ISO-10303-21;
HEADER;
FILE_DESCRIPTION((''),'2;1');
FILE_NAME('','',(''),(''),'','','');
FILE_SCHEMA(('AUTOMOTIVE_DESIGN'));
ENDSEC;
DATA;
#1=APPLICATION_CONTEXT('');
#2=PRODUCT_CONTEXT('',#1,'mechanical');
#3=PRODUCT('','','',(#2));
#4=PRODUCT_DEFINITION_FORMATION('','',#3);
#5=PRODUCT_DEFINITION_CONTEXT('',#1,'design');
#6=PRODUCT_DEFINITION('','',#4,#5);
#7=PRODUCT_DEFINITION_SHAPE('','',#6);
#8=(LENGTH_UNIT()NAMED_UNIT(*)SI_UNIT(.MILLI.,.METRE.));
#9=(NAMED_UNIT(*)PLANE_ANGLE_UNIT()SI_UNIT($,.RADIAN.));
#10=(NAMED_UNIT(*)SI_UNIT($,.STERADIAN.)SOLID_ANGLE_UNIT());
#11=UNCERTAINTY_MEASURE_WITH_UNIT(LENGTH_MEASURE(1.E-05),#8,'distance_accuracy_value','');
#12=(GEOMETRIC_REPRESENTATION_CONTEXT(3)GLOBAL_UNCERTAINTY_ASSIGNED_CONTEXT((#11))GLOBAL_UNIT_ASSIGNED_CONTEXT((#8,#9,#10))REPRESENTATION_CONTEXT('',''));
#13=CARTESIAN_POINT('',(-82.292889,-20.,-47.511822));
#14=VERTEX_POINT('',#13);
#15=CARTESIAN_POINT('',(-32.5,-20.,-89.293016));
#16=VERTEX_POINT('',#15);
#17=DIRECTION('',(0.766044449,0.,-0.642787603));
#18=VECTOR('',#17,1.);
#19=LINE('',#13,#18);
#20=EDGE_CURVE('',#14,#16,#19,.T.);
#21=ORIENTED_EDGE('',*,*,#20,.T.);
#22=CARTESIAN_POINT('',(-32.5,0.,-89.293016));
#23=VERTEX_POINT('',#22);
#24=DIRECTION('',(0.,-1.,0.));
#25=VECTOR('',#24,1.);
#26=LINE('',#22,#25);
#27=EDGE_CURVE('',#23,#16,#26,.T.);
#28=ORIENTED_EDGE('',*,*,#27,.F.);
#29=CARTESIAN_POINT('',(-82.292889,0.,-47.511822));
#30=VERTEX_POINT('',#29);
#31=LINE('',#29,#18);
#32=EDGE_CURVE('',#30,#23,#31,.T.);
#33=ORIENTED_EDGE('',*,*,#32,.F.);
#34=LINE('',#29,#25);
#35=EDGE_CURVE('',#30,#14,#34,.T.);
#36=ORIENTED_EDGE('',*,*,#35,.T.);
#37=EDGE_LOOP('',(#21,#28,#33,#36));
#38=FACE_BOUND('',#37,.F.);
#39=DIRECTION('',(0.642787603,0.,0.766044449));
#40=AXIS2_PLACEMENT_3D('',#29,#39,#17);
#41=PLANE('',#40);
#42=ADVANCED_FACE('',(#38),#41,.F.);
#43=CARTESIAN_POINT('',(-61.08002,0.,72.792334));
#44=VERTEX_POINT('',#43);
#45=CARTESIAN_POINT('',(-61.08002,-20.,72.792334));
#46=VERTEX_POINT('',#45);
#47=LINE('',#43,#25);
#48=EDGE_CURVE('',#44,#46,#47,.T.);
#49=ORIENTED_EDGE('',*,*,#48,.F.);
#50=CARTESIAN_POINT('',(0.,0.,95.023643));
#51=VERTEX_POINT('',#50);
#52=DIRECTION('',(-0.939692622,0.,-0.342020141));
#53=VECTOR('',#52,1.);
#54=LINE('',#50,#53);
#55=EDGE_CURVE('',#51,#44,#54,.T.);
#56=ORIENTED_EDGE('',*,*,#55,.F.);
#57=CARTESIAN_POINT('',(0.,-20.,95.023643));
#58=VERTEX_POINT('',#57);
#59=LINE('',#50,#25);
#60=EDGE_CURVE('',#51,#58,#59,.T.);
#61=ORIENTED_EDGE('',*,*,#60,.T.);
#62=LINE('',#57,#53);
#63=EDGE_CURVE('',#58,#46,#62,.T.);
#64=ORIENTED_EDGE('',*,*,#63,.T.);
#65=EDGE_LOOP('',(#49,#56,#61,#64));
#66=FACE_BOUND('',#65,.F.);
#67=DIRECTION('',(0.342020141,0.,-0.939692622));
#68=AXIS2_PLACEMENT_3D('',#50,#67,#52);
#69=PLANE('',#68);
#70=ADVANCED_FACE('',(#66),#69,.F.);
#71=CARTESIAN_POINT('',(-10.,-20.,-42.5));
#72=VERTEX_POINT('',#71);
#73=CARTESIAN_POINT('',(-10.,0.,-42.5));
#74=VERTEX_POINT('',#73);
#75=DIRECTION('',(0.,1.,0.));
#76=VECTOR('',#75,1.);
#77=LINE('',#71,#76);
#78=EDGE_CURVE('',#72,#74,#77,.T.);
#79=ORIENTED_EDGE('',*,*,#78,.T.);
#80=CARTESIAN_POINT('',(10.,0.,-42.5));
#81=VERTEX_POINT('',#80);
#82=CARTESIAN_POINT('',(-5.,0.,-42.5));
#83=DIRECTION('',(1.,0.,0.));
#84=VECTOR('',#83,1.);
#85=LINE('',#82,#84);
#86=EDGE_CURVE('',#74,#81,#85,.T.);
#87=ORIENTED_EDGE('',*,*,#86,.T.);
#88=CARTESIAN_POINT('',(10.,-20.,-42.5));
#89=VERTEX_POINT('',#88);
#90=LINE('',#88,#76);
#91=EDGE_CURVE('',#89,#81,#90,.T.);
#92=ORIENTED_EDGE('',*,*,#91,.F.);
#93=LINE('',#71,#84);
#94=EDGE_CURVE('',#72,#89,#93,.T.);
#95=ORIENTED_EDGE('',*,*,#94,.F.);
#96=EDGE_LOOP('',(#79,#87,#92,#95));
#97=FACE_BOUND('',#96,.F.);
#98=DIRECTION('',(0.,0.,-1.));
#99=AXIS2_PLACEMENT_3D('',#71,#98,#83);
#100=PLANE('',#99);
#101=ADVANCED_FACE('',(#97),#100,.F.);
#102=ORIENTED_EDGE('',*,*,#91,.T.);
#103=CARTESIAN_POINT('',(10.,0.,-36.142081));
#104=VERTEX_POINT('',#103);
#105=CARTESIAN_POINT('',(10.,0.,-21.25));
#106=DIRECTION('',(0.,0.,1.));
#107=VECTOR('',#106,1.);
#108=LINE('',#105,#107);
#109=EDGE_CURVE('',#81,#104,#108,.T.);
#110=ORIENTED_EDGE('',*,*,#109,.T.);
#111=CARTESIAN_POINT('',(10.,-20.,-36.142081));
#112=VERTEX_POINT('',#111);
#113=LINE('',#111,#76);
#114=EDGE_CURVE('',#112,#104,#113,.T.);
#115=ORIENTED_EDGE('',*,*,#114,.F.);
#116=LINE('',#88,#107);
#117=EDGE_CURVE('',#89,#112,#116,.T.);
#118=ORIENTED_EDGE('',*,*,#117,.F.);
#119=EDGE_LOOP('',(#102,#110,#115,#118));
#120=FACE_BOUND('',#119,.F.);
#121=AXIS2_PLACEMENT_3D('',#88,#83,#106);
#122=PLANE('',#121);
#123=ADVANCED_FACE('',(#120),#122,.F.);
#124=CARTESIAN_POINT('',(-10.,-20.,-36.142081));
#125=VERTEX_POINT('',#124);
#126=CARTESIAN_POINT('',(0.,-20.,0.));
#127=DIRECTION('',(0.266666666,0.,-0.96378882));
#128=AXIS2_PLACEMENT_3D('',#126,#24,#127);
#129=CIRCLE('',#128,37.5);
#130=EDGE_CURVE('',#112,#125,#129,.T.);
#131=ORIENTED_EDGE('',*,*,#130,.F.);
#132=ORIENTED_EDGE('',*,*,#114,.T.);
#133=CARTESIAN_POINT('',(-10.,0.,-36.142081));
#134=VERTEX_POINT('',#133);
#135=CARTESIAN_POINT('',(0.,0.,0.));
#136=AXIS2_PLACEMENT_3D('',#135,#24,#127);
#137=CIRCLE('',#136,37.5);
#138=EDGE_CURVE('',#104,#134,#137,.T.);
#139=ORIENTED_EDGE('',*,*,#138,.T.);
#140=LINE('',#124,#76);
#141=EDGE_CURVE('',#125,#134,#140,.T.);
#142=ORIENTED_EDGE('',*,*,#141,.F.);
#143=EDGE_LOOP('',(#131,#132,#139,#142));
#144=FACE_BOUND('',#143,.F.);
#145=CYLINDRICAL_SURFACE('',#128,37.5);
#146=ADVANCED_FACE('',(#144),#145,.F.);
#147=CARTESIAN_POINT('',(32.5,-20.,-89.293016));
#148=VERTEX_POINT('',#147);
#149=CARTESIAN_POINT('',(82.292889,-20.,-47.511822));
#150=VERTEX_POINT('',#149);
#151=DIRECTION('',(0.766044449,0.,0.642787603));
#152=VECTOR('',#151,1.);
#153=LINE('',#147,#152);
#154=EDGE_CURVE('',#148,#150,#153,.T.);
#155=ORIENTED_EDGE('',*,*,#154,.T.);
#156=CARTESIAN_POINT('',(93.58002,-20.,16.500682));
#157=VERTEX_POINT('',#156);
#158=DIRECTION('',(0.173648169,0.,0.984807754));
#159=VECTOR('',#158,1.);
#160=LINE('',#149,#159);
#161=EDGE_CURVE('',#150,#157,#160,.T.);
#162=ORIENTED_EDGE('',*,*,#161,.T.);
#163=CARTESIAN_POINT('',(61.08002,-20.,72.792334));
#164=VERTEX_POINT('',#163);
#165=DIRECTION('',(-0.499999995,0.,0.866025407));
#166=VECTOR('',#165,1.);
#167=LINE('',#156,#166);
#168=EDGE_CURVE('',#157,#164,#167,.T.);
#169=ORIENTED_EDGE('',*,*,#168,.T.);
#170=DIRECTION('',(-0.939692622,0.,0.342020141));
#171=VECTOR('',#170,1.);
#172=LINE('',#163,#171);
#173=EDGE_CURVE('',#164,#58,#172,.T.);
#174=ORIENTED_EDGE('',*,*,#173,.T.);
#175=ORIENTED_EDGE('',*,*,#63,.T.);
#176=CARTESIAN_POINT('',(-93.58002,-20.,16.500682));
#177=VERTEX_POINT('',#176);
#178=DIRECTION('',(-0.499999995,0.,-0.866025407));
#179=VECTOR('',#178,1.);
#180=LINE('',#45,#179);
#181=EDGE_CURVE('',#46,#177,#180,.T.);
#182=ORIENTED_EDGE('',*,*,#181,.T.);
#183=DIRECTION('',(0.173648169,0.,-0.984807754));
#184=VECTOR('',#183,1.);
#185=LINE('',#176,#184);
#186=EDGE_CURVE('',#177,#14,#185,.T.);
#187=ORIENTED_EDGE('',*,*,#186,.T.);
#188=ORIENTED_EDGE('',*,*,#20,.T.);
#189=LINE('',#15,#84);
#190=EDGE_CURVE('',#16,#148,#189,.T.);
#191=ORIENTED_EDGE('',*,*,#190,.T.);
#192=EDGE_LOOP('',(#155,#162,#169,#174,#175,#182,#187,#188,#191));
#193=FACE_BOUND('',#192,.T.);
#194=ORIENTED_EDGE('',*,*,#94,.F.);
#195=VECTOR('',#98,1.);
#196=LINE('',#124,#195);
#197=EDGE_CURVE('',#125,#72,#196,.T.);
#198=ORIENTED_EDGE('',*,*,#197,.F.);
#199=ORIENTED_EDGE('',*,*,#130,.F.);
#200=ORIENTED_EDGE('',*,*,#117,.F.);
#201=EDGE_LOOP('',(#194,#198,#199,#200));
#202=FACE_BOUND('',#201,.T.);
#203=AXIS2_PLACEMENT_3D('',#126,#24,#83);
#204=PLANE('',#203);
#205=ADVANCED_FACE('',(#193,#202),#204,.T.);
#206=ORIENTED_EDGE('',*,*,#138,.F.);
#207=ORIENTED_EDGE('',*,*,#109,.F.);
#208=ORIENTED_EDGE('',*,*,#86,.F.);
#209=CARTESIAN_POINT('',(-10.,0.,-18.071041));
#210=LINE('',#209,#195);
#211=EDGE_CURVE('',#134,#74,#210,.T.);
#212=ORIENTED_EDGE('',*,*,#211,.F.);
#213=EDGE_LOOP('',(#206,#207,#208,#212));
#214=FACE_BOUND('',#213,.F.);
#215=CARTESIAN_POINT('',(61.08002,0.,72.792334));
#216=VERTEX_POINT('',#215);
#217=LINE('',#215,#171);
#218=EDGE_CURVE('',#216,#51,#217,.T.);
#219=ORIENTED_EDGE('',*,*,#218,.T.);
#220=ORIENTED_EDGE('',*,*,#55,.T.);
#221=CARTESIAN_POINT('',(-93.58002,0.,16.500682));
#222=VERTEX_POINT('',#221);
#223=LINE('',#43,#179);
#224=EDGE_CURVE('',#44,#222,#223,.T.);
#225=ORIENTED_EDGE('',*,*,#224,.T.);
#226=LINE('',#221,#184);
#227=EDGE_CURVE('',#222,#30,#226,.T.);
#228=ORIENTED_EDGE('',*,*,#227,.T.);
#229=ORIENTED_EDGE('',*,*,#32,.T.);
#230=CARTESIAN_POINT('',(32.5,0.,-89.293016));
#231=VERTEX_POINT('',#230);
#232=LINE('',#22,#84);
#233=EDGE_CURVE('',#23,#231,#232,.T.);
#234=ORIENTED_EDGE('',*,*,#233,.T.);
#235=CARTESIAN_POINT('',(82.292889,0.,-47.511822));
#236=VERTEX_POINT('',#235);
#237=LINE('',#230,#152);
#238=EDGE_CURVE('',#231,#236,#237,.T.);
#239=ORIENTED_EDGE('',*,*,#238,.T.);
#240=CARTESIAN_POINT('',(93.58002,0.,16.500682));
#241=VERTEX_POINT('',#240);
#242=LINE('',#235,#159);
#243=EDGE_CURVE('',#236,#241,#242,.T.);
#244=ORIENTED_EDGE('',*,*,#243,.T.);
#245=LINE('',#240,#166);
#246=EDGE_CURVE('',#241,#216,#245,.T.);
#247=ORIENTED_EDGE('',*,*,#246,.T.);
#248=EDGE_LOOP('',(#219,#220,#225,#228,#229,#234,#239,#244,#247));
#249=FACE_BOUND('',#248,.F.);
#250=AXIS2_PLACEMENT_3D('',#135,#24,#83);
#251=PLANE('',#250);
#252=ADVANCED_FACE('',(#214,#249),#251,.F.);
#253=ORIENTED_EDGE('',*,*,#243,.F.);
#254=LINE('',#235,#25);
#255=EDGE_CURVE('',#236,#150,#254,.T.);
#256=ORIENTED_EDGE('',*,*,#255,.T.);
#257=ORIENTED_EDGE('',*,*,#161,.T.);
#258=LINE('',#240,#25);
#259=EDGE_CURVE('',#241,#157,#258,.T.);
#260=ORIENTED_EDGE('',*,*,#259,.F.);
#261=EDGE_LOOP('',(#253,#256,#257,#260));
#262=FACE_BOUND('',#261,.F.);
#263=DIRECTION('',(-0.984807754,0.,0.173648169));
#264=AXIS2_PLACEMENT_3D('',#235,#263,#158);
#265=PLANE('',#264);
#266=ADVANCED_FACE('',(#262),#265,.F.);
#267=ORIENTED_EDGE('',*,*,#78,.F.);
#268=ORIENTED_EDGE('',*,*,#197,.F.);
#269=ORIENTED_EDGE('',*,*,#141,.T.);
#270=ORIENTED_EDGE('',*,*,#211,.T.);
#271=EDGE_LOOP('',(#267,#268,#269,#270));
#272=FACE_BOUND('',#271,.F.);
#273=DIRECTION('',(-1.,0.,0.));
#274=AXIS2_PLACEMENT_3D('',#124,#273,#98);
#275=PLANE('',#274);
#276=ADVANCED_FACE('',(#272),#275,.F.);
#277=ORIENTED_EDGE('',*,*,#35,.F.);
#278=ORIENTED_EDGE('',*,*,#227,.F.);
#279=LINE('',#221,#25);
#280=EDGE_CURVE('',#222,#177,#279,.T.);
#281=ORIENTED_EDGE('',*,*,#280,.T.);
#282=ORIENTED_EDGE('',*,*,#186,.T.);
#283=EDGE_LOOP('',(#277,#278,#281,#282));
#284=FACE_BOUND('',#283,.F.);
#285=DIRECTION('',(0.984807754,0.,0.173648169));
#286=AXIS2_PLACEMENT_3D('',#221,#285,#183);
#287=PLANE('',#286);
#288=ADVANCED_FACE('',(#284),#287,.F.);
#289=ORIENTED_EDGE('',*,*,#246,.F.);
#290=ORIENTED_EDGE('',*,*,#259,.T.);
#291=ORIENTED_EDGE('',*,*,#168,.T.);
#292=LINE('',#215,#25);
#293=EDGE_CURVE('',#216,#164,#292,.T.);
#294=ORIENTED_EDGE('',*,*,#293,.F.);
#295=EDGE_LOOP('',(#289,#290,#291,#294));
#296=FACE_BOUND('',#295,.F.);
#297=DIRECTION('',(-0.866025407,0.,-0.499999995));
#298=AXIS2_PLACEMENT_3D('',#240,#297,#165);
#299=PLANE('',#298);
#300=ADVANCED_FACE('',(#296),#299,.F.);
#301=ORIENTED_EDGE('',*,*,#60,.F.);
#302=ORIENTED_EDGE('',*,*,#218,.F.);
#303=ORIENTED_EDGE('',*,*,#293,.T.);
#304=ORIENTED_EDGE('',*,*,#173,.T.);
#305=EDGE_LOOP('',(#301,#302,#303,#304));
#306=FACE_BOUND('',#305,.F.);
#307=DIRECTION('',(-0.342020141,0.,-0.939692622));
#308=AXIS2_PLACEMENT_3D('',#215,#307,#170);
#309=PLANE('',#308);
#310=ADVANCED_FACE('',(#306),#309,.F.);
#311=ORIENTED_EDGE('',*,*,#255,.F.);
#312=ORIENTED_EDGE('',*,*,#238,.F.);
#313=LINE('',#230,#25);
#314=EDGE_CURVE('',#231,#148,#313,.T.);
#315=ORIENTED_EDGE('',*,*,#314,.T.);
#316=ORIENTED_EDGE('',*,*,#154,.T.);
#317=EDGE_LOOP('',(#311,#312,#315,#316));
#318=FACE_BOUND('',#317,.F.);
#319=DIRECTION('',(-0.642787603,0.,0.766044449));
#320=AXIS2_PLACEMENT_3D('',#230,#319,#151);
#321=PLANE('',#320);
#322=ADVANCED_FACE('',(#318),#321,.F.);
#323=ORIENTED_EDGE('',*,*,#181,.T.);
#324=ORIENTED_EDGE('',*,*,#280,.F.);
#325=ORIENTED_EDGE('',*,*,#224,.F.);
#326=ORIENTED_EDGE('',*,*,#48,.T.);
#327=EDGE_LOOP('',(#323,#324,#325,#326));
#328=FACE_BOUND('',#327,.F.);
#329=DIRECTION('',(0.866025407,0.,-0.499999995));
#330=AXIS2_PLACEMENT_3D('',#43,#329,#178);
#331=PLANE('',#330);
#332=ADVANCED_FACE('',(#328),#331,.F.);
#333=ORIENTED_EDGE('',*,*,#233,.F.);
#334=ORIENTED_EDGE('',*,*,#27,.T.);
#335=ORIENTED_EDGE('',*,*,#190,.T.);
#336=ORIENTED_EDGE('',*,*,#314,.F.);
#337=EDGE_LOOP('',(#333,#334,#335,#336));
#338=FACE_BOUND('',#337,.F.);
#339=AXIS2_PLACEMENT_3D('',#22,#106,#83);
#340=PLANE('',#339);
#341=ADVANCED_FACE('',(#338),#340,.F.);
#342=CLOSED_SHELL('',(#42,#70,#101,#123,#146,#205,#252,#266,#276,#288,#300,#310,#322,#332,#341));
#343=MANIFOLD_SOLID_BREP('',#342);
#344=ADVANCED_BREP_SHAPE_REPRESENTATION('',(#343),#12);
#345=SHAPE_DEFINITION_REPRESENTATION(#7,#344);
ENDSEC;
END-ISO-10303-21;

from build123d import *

# Parameters (mm, degrees)
F1_DEPTH = 20
F3_DEPTH = 25


with BuildPart() as f1:
    # F0 (on Front) → F1 (new body)
    with BuildSketch(Plane.XZ):
        Polygon((-32.5, -89.293016), (32.5, -89.293016), (82.292889, -47.511822), (93.58002, 16.500682), (61.08002, 72.792334), (0, 95.023643), (-61.08002, 72.792334), (-93.58002, 16.500682), (-82.292889, -47.511822), align=None)
    extrude(amount=F1_DEPTH)

    # F2 (on face) → F3 (cut)
    with BuildSketch(Plane.XZ.offset(20)):
        with BuildLine():
            Line((10, -42.5), (10, -36.142081))
            ThreePointArc((10, -36.142081), (0, 37.5), (-10, -36.142081))
            Line((-10, -36.142081), (-10, -42.5))
            Line((-10, -42.5), (0, -42.5))
            Line((0, -42.5), (10, -42.5))
        make_face()
    extrude(amount=-F3_DEPTH, mode=Mode.SUBTRACT)


solid = f1.part
